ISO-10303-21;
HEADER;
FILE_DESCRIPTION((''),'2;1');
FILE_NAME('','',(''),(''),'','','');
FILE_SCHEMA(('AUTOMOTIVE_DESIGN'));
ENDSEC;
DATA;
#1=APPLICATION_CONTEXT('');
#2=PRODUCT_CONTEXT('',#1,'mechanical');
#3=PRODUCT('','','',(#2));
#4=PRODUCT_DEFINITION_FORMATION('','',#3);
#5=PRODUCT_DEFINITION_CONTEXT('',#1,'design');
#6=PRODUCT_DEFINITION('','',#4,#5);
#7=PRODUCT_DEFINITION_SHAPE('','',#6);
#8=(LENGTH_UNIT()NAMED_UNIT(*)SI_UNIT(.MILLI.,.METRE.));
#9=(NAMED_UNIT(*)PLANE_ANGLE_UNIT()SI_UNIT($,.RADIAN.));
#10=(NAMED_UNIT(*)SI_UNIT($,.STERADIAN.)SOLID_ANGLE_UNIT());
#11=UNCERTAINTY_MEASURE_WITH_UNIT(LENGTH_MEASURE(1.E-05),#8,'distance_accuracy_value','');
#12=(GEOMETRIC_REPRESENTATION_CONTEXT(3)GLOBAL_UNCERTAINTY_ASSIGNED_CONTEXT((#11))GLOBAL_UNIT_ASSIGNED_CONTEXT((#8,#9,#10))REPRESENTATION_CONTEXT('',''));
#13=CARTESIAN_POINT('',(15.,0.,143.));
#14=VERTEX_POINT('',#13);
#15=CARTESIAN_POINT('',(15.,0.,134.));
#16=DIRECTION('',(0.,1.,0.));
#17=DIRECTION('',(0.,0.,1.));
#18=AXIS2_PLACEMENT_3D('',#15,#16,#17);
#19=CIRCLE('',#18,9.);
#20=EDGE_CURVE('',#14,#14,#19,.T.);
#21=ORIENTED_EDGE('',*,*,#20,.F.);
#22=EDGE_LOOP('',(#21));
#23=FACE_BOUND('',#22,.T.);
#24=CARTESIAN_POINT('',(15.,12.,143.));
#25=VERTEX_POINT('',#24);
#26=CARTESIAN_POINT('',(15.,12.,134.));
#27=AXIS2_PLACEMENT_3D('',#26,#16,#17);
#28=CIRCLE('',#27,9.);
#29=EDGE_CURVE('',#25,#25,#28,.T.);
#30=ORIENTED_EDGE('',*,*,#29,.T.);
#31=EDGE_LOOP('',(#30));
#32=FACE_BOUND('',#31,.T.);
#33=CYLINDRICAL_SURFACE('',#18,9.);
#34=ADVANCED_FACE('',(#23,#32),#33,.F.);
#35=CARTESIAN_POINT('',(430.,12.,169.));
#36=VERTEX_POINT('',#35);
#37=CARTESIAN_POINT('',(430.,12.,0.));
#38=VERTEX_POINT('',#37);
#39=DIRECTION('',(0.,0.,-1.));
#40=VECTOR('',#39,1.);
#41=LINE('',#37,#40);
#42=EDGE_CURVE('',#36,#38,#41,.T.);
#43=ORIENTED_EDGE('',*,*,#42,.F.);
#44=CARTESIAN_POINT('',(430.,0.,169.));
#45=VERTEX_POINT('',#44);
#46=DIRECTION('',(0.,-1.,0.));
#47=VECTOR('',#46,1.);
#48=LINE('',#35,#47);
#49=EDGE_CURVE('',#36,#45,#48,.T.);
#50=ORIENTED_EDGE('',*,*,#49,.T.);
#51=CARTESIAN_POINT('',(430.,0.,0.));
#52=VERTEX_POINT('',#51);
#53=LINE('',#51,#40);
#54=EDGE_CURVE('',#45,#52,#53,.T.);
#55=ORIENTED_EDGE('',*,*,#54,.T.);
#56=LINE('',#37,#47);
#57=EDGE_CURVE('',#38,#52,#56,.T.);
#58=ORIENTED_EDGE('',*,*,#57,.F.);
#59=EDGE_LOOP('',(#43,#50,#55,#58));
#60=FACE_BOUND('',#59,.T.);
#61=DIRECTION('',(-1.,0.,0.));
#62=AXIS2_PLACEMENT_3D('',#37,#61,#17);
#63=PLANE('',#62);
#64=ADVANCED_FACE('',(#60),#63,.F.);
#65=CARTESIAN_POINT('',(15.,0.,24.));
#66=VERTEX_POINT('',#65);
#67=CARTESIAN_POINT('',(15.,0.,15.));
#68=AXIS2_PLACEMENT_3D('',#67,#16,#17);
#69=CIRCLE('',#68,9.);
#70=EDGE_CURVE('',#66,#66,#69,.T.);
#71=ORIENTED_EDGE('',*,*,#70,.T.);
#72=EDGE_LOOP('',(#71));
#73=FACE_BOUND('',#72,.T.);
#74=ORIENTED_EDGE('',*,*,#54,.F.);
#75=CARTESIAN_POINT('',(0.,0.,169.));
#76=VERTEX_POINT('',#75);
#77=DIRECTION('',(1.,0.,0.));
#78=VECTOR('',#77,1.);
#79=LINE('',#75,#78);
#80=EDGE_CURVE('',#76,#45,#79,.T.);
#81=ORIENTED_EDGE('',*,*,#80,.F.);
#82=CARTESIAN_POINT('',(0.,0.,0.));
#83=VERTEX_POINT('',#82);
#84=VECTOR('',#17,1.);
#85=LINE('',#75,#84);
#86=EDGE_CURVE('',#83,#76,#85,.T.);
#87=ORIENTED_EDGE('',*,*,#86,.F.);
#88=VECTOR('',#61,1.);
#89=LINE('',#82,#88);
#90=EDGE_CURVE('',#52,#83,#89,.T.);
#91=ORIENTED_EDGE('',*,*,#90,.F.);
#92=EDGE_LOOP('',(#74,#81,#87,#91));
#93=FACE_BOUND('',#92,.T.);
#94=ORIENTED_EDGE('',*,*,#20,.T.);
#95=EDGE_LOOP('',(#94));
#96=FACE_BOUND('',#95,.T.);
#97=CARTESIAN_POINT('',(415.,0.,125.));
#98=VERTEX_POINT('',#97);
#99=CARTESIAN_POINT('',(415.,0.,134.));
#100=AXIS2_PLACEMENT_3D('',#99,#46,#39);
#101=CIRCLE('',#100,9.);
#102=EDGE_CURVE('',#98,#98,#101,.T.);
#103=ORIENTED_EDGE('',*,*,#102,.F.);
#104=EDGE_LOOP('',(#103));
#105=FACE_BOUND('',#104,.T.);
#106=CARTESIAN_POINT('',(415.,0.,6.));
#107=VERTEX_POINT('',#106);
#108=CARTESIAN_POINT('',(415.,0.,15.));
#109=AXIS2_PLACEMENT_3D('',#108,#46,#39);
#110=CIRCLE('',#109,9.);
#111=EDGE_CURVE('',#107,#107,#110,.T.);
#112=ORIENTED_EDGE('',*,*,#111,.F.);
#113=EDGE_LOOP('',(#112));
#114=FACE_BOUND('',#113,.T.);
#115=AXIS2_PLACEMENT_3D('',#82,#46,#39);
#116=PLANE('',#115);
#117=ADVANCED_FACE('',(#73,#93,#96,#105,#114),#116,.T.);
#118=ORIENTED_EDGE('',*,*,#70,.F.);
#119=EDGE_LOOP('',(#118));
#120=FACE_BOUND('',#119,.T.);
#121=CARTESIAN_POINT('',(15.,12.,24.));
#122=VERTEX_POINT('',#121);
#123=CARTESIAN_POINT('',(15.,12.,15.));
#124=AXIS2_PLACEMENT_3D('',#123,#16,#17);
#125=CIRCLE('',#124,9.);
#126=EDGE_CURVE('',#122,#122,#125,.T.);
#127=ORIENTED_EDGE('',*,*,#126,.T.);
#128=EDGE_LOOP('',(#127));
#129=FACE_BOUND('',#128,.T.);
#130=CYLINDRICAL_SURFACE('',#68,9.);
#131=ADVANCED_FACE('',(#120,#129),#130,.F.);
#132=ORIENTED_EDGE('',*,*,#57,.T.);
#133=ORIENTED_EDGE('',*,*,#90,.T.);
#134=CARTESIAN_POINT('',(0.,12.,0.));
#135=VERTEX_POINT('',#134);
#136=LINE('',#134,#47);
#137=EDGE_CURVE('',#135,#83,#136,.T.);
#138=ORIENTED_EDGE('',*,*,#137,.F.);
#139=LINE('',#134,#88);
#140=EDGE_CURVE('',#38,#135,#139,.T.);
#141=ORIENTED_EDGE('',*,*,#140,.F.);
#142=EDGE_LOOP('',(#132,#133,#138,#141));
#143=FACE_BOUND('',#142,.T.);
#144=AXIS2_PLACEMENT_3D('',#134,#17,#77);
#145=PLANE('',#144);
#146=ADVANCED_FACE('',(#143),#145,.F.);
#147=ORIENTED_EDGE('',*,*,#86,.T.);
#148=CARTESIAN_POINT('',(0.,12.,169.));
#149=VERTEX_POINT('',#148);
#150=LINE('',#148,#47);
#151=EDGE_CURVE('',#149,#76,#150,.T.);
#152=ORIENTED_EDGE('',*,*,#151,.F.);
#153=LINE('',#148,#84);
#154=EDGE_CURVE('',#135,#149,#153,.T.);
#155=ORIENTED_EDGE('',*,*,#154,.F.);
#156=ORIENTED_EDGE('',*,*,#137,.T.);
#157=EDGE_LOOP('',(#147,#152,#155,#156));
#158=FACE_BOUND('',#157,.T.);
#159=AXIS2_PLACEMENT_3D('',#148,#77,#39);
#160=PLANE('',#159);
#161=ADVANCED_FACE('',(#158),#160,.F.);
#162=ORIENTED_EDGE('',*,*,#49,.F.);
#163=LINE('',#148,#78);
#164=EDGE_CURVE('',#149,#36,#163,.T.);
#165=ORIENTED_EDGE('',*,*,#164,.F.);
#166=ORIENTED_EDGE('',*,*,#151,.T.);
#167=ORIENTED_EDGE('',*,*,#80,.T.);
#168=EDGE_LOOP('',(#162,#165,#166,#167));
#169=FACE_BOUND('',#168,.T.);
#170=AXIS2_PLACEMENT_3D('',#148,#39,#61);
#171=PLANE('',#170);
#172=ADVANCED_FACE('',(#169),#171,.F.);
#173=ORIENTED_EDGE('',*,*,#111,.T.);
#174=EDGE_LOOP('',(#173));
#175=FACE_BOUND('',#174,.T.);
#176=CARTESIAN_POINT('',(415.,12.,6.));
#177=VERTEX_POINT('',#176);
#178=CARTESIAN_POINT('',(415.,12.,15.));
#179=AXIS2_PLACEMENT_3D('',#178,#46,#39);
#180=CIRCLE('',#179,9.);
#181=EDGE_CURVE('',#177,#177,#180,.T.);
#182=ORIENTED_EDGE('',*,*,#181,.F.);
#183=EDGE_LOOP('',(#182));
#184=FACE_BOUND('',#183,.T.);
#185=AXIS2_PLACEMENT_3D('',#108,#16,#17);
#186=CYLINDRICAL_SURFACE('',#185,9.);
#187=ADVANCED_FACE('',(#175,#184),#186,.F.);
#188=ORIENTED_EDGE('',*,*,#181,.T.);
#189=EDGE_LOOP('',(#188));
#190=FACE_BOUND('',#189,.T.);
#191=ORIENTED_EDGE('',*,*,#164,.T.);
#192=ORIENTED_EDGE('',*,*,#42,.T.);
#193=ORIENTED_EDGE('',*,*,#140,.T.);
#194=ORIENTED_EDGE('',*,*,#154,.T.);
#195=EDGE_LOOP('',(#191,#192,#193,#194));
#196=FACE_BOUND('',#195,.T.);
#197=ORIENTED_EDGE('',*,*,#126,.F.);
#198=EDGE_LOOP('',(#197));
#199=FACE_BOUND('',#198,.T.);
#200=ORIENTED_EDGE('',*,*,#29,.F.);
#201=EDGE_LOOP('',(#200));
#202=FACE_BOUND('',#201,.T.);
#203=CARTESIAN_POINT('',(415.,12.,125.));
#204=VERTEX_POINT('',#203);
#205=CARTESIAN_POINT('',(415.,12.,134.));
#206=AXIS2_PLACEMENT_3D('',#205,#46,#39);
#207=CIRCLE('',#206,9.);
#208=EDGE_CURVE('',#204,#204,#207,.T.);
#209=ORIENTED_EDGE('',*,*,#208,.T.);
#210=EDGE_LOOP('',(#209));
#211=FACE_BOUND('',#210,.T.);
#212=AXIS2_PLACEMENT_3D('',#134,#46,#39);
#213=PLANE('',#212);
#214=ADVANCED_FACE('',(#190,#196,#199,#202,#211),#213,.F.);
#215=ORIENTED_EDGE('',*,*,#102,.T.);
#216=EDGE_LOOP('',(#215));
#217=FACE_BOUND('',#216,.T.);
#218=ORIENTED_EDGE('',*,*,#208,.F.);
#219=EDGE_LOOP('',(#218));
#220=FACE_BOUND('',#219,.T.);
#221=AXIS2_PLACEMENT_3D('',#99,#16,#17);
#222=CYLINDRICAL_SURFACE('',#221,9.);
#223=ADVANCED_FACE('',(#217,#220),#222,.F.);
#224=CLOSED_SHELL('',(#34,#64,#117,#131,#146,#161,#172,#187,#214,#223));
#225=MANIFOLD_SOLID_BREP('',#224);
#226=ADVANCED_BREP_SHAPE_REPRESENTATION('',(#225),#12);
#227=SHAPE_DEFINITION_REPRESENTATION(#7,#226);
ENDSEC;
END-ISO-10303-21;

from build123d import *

# Parameters (mm, degrees)
SKETCH1_W           = 430
SKETCH1_H           = 169
BOSS_EXTRUDE1_DEPTH = 12
SKETCH2_R           = 9
CUT_EXTRUDE1_DEPTH  = 12


with BuildPart() as part:
    # Sketch1 → Boss-Extrude1 (new body)
    with BuildSketch(Plane(origin=(0, 0, 0), x_dir=(1, 0, 0), z_dir=(0, 1, 0))):
        with Locations((215, -84.5)):
            Rectangle(SKETCH1_W, SKETCH1_H)
    extrude(amount=BOSS_EXTRUDE1_DEPTH)

    # Sketch2 → Cut-Extrude1 (cut)
    with BuildSketch(Plane(origin=(0, 12, 0), x_dir=(1, 0, 0), z_dir=(0, 1, 0))):
        with Locations((15, -15)):
            Circle(SKETCH2_R)
        with Locations((15, -134)):
            Circle(SKETCH2_R)
        with Locations((415, -134)):
            Circle(SKETCH2_R)
        with Locations((415, -15)):
            Circle(SKETCH2_R)
    extrude(amount=-CUT_EXTRUDE1_DEPTH, mode=Mode.SUBTRACT)


solid = part.part
